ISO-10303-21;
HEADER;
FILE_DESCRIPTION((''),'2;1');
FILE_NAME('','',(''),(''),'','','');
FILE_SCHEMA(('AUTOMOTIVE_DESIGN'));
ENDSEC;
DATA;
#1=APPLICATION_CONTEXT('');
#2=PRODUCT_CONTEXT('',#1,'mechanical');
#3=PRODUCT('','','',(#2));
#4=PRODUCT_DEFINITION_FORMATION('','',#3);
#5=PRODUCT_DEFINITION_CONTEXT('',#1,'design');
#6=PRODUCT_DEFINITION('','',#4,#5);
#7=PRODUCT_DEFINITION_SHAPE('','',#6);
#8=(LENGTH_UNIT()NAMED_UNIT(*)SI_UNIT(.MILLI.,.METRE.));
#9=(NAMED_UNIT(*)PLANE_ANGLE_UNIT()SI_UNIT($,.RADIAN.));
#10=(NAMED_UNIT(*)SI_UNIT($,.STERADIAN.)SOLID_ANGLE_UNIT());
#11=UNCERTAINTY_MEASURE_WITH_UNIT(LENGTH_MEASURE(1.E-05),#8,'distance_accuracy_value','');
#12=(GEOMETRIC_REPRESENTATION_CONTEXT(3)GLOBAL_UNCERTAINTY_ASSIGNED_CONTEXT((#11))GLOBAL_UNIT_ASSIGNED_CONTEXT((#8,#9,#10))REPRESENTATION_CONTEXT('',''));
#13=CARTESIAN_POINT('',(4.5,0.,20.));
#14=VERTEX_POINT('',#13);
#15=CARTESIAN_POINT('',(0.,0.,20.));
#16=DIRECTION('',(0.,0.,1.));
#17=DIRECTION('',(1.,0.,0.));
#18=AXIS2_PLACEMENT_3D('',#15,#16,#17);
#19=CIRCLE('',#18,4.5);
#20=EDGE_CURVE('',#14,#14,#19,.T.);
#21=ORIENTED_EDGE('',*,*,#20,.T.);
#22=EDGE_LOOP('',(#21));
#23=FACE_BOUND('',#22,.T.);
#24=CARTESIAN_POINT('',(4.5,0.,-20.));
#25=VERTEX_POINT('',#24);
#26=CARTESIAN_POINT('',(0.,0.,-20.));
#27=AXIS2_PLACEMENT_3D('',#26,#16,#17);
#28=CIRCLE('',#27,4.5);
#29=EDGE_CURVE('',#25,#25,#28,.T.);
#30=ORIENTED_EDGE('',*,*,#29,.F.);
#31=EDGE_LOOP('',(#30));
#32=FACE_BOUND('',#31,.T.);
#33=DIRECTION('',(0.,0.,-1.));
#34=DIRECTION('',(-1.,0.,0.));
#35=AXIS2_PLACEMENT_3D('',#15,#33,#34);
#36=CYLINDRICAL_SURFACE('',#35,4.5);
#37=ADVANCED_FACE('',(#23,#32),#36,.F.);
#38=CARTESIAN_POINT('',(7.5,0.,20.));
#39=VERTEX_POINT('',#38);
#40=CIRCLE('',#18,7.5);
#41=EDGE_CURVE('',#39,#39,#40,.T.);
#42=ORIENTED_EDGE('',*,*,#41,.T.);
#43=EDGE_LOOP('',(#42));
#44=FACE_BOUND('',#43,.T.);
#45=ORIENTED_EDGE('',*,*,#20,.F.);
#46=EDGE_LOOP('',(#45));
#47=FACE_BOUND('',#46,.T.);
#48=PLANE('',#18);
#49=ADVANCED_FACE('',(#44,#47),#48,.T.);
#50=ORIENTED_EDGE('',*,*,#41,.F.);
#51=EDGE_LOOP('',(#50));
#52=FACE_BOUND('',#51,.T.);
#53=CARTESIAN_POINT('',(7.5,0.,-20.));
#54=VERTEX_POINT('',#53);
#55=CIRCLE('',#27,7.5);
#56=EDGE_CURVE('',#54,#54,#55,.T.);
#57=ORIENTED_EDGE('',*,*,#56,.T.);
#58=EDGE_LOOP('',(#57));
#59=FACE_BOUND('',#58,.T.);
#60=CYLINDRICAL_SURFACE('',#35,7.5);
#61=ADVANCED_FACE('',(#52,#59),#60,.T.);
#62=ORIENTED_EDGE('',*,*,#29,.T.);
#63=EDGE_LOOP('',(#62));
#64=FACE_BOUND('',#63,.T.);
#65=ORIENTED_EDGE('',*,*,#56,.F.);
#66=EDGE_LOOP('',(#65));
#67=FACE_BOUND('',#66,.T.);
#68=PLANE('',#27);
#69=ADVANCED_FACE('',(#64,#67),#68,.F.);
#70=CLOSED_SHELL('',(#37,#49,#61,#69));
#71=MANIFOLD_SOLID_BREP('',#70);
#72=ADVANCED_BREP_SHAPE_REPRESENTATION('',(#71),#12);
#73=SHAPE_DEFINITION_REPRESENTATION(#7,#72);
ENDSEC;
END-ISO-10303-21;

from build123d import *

# Parameters (mm, degrees)
SKETCH_1_R      = 7.5
SKETCH_1_R_2    = 4.5
EXTRUDE_1_DEPTH = 20


with BuildPart() as part:
    # 草图1 → 凸台-拉伸1 (new, symmetric)
    with BuildSketch(Plane.XY):
        Circle(SKETCH_1_R)
        Circle(SKETCH_1_R_2, mode=Mode.SUBTRACT)
    extrude(amount=EXTRUDE_1_DEPTH, both=True)


solid = part.part
